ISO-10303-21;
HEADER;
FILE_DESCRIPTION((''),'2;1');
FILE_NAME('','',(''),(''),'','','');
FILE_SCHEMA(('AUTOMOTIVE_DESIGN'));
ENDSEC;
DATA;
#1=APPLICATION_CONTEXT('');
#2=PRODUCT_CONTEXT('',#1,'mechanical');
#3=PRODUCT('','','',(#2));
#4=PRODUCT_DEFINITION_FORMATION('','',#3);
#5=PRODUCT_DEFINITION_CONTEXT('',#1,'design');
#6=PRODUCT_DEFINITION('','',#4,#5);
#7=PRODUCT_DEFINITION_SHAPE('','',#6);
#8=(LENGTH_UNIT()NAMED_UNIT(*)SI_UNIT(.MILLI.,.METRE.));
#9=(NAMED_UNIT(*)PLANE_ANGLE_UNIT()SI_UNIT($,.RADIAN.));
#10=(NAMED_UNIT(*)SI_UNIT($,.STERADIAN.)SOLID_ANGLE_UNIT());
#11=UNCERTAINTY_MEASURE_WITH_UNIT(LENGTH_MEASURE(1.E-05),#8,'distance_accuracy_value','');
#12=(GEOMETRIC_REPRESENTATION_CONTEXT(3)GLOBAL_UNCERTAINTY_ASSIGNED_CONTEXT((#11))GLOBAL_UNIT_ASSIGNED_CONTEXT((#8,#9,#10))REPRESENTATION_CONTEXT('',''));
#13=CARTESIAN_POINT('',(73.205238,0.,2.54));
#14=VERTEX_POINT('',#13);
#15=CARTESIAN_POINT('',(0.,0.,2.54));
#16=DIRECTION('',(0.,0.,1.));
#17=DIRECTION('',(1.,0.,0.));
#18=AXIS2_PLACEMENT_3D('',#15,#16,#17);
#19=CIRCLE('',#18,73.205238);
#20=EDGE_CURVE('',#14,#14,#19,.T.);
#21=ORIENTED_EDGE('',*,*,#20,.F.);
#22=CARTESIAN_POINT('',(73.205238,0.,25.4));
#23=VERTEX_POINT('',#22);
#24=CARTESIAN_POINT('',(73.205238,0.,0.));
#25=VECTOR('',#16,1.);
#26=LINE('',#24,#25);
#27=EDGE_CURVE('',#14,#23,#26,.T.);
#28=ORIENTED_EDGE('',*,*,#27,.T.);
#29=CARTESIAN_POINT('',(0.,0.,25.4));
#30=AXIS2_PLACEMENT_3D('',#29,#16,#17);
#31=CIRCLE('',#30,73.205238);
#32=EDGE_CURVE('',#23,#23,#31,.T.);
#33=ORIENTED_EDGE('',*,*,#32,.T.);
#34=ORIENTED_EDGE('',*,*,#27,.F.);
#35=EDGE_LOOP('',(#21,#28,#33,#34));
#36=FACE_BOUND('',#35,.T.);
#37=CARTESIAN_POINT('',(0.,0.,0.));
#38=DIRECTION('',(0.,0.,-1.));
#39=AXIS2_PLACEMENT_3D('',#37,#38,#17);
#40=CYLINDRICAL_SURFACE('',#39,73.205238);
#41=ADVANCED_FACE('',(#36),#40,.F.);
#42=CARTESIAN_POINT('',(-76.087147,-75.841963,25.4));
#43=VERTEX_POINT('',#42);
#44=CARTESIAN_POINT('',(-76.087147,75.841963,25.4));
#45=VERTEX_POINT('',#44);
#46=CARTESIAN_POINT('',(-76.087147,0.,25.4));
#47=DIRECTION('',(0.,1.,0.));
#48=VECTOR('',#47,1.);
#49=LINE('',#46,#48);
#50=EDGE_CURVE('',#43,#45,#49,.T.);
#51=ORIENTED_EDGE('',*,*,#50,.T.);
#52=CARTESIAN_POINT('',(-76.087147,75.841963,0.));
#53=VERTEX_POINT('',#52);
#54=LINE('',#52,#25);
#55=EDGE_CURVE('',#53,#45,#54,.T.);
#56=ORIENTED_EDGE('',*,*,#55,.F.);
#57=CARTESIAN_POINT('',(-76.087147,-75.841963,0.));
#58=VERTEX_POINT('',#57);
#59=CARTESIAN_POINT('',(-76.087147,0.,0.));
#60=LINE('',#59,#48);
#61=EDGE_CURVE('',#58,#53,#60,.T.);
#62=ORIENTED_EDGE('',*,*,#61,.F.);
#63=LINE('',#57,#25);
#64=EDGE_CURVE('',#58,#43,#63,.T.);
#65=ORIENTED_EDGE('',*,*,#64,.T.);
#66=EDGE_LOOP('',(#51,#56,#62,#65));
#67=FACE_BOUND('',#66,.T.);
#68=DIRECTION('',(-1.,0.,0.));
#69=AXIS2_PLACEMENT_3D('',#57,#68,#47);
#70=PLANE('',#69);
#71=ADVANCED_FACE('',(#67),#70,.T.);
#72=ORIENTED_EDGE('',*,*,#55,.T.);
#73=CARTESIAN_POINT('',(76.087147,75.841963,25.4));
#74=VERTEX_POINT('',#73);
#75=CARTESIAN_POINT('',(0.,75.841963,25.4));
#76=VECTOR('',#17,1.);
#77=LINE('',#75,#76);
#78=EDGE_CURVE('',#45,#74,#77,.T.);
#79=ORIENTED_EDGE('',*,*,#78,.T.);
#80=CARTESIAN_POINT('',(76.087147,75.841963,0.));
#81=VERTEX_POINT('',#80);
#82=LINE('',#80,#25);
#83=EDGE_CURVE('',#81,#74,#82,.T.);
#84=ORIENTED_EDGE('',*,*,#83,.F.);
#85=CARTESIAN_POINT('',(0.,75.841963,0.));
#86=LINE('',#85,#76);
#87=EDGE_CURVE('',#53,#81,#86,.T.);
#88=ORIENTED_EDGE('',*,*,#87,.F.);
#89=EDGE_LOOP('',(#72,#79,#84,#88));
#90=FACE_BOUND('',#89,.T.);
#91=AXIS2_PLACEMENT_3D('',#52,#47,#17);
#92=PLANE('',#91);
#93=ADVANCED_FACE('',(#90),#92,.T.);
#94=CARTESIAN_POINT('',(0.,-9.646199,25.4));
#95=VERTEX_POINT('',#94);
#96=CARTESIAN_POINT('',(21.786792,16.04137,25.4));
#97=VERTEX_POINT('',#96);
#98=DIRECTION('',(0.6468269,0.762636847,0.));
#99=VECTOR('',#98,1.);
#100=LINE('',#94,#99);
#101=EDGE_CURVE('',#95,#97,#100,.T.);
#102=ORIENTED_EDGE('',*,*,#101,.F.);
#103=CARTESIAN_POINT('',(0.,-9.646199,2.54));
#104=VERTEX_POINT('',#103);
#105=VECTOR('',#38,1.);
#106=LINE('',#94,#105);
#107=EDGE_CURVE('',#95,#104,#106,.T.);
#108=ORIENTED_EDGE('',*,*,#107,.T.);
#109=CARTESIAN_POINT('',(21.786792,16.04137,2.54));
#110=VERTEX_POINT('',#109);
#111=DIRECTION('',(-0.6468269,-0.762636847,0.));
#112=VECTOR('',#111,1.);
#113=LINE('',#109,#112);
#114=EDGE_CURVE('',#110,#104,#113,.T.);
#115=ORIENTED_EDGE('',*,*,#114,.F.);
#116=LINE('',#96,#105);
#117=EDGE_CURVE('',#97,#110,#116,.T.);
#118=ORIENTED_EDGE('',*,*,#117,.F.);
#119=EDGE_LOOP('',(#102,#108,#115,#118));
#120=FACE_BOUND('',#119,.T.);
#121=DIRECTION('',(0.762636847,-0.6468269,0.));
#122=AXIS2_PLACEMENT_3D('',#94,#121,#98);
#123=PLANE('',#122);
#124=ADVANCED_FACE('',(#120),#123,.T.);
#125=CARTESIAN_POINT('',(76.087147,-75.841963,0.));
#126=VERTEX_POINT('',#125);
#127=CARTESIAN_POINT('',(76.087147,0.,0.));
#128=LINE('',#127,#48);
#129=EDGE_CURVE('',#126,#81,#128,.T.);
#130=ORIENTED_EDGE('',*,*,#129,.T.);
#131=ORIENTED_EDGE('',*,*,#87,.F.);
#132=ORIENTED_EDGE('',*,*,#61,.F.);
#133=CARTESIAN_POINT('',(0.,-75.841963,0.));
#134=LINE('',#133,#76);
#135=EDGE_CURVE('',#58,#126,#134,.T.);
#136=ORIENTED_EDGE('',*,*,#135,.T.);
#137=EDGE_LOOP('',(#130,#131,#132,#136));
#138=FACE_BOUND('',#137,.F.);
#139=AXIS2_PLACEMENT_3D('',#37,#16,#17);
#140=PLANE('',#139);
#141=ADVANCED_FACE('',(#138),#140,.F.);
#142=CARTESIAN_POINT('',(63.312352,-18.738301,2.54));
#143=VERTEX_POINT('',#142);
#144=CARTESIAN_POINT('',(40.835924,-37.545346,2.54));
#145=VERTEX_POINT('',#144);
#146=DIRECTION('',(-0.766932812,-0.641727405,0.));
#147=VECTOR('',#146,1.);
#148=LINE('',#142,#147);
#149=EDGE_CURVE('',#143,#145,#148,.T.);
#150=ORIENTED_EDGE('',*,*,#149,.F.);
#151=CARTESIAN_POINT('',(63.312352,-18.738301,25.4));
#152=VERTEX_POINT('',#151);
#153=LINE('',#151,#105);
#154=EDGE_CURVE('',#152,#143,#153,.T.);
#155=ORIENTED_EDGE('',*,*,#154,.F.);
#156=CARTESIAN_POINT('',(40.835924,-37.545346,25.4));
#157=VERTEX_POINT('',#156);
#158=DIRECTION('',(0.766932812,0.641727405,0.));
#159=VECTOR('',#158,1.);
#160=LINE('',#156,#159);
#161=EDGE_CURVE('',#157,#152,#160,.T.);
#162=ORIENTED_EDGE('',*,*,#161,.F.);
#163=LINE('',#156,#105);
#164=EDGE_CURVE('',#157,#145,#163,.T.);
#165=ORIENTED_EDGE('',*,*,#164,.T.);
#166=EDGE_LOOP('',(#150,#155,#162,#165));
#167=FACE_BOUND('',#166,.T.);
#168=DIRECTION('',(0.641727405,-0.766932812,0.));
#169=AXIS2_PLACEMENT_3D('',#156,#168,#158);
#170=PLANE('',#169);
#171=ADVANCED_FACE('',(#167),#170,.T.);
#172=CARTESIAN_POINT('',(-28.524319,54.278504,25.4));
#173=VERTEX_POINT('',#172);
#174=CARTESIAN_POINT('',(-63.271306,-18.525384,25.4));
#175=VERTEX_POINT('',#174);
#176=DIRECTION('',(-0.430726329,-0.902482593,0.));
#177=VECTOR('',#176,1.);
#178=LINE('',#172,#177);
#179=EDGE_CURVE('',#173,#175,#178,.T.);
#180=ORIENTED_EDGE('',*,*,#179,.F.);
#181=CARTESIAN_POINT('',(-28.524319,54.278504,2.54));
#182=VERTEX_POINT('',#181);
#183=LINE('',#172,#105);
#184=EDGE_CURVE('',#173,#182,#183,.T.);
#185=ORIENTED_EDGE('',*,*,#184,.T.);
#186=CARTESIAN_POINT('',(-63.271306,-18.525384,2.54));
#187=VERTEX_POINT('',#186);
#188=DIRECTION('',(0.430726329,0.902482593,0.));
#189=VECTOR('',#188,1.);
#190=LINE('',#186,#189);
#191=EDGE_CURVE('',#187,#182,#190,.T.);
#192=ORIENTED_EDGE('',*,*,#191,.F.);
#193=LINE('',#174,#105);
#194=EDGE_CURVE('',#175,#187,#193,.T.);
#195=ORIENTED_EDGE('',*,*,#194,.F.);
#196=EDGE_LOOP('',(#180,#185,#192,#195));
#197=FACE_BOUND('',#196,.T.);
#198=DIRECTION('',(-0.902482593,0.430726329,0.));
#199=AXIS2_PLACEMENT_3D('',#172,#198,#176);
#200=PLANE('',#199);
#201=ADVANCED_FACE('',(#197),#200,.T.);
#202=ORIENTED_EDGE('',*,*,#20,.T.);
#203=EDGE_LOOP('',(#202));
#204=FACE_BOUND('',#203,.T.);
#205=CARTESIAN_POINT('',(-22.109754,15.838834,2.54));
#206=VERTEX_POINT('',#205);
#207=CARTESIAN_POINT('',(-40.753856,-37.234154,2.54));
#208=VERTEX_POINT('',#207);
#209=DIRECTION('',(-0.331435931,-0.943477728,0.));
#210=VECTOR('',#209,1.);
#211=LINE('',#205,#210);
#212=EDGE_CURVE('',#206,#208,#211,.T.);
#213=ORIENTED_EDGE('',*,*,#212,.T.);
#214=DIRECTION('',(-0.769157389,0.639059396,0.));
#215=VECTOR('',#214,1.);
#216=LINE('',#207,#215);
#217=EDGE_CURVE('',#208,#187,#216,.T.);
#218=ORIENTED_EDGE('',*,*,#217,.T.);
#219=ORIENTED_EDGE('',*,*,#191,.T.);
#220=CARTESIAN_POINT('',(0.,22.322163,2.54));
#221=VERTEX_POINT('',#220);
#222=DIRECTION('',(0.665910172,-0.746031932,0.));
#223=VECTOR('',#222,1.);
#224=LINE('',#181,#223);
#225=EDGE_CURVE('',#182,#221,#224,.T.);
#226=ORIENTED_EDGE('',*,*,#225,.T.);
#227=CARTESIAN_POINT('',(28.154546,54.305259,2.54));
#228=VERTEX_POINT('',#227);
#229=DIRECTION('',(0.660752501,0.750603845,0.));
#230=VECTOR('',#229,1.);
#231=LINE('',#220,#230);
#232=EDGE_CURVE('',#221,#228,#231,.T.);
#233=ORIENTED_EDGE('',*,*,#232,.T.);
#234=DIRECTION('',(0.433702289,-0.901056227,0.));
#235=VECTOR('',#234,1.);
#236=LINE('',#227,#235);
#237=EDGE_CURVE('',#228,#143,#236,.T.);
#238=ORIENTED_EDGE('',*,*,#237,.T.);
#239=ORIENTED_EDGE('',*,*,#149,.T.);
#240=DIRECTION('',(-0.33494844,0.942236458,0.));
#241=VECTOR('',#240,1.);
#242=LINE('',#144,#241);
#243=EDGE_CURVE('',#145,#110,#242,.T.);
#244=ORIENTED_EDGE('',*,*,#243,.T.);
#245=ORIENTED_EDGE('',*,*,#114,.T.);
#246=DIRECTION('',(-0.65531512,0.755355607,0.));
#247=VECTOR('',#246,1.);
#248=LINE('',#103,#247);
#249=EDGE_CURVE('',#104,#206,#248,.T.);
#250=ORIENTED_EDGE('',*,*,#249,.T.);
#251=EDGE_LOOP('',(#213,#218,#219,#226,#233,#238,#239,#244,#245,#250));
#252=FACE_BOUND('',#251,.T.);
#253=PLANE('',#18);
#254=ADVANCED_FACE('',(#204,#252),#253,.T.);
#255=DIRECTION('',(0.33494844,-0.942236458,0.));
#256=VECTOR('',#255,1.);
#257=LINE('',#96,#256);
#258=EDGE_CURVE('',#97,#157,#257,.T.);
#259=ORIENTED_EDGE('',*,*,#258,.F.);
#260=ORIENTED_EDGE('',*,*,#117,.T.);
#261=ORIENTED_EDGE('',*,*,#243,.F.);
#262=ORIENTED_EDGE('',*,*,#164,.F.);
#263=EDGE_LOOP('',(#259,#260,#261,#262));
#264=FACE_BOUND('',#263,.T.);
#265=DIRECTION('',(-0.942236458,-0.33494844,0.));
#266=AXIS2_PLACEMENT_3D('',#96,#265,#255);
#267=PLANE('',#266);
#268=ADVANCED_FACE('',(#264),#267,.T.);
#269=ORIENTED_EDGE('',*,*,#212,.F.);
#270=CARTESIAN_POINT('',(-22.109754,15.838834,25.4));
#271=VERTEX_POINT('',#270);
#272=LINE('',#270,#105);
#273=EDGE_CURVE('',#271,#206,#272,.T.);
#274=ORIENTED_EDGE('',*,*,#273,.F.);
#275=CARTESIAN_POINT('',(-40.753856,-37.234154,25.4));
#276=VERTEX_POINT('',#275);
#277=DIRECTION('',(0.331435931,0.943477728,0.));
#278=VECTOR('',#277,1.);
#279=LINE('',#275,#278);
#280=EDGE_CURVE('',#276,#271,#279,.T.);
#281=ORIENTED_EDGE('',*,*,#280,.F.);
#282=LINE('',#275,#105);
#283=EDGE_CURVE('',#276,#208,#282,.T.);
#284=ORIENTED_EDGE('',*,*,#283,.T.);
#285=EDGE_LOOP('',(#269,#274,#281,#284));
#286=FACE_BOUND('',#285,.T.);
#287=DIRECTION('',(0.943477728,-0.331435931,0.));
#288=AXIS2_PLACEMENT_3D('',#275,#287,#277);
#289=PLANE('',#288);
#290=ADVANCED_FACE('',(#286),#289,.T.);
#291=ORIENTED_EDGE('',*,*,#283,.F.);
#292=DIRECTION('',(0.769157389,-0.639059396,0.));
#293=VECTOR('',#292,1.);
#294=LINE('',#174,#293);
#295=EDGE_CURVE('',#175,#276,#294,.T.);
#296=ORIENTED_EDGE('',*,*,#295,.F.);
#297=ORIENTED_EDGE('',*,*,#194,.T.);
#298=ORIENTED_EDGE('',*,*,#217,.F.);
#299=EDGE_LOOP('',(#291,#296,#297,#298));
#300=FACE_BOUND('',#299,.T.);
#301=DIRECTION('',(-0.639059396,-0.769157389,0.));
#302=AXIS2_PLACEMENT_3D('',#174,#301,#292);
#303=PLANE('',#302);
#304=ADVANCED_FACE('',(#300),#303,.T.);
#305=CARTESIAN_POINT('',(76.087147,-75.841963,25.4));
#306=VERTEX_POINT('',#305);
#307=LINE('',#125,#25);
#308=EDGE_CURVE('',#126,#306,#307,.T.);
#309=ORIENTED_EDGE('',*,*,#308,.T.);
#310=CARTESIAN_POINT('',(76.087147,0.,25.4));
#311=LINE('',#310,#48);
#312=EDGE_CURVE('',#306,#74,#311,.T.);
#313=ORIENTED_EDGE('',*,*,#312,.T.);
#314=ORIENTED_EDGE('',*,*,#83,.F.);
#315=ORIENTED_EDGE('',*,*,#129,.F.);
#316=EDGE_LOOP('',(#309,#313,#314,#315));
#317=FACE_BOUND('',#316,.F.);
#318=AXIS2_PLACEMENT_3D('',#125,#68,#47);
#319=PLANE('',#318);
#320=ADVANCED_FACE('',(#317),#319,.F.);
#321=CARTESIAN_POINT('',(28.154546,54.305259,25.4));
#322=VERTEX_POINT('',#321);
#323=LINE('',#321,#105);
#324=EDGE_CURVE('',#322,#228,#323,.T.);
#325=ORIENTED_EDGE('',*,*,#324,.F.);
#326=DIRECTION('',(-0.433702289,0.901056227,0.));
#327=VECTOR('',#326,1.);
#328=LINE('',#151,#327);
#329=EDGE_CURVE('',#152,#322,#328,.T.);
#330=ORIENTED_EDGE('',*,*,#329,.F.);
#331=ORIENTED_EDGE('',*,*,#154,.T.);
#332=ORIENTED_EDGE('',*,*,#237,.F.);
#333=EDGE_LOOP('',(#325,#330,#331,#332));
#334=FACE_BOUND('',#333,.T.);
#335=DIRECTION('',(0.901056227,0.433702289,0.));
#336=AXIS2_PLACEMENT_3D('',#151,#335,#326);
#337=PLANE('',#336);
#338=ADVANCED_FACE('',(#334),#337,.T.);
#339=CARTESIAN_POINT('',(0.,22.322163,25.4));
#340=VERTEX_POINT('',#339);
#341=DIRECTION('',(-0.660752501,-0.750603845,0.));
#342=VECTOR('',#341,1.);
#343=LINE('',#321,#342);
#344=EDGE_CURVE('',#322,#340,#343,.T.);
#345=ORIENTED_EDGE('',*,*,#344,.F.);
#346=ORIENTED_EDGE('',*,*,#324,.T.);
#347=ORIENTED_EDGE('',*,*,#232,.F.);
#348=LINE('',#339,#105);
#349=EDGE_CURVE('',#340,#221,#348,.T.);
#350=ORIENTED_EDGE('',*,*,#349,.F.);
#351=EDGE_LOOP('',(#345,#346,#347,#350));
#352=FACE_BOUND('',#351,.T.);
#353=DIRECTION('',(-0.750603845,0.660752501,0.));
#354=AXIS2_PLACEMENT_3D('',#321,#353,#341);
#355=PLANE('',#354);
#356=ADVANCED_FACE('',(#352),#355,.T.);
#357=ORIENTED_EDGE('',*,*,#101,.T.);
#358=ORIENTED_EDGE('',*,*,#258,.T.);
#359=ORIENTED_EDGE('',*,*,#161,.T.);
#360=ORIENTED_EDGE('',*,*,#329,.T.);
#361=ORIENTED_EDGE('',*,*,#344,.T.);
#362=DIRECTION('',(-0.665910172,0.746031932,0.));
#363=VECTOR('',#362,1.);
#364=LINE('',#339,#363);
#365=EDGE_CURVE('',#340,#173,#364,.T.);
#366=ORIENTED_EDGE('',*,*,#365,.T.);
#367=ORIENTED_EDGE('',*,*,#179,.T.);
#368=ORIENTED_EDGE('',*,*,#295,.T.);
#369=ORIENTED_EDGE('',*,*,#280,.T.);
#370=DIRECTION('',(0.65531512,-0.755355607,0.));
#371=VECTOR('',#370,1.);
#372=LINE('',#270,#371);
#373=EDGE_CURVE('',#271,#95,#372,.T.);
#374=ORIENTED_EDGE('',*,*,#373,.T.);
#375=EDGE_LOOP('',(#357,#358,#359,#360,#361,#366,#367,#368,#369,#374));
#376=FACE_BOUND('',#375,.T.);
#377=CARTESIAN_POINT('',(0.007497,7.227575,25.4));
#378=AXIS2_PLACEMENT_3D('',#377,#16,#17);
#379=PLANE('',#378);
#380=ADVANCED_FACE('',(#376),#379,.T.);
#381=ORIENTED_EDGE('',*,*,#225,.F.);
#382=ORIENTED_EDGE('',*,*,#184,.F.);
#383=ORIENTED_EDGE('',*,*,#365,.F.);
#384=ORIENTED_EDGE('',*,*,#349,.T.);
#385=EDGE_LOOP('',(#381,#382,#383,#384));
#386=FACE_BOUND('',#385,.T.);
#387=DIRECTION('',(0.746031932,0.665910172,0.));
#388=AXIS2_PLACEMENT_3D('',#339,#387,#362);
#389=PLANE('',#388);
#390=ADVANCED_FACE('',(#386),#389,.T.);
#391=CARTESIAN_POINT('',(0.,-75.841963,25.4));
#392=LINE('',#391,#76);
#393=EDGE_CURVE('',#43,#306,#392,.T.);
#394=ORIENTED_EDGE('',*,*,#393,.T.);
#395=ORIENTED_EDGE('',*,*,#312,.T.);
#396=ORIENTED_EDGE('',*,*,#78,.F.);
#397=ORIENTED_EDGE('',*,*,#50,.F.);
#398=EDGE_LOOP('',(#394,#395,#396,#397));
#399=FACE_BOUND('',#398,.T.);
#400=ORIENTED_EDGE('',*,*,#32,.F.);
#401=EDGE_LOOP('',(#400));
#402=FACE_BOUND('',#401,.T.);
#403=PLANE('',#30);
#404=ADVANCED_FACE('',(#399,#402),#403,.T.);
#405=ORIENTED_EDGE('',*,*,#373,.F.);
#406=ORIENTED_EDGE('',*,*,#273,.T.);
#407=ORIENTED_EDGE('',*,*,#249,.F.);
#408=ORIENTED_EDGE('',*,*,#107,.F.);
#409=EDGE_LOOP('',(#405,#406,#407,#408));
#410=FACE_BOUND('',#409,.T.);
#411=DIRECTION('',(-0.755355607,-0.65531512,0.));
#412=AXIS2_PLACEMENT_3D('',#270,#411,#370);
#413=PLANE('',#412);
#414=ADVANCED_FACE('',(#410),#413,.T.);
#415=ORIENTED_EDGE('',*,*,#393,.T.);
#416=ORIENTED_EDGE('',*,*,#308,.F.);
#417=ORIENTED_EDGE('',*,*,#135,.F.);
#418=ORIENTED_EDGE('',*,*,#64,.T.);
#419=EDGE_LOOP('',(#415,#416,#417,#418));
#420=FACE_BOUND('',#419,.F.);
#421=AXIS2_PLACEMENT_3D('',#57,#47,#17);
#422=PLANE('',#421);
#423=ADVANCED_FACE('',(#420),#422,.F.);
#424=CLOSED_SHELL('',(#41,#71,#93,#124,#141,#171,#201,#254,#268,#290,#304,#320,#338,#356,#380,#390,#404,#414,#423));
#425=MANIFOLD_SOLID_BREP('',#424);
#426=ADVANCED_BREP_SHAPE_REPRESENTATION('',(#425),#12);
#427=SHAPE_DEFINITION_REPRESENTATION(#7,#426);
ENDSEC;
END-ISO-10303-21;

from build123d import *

# Parameters (mm, degrees)
F0_R     = 73.2052384523
F1_DEPTH = 2.54
F0_W     = 152.1742939949
F0_H     = 151.6839265823
F2_DEPTH = 25.4
F4_DEPTH = 25.4


with BuildPart() as f1:
    # F0 (on Top) → F1 (new body)
    with BuildSketch(Plane.XY):
        Circle(F0_R)
        Polygon((-40.7538563013, -37.2341535985), (-63.2713064551, -18.5253843665), (-28.52431871, 54.2785041034), (0, 22.3221629858), (28.1545463949, 54.3052591383), (63.3123517036, -18.7383014709), (40.8359244466, -37.5453457236), (21.7867922038, 16.0413701087), (0, -9.6461987123), (-22.1097543836, 15.8388335258), align=None, mode=Mode.SUBTRACT)
    extrude(amount=F1_DEPTH)

    # F0 (on Top) → F2 (join)
    with BuildSketch(Plane.XY):
        Rectangle(F0_W, F0_H)
        Circle(F0_R, mode=Mode.SUBTRACT)
    extrude(amount=F2_DEPTH)

    # F3 (on face) → F4 (join)
    with BuildSketch(Plane.XY.offset(25.4)):
        Polygon((-28.52431871, 54.2785041034), (-63.2713064551, -18.5253843665), (-40.7538563013, -37.2341535985), (-22.1097543836, 15.8388335258), (0, -9.6461987123), (21.7867922038, 16.0413701087), (40.8359244466, -37.5453457236), (63.3123517036, -18.7383014709), (28.1545463949, 54.3052591383), (0, 22.3221629858), align=None)
    extrude(amount=-F4_DEPTH)


solid = f1.part
